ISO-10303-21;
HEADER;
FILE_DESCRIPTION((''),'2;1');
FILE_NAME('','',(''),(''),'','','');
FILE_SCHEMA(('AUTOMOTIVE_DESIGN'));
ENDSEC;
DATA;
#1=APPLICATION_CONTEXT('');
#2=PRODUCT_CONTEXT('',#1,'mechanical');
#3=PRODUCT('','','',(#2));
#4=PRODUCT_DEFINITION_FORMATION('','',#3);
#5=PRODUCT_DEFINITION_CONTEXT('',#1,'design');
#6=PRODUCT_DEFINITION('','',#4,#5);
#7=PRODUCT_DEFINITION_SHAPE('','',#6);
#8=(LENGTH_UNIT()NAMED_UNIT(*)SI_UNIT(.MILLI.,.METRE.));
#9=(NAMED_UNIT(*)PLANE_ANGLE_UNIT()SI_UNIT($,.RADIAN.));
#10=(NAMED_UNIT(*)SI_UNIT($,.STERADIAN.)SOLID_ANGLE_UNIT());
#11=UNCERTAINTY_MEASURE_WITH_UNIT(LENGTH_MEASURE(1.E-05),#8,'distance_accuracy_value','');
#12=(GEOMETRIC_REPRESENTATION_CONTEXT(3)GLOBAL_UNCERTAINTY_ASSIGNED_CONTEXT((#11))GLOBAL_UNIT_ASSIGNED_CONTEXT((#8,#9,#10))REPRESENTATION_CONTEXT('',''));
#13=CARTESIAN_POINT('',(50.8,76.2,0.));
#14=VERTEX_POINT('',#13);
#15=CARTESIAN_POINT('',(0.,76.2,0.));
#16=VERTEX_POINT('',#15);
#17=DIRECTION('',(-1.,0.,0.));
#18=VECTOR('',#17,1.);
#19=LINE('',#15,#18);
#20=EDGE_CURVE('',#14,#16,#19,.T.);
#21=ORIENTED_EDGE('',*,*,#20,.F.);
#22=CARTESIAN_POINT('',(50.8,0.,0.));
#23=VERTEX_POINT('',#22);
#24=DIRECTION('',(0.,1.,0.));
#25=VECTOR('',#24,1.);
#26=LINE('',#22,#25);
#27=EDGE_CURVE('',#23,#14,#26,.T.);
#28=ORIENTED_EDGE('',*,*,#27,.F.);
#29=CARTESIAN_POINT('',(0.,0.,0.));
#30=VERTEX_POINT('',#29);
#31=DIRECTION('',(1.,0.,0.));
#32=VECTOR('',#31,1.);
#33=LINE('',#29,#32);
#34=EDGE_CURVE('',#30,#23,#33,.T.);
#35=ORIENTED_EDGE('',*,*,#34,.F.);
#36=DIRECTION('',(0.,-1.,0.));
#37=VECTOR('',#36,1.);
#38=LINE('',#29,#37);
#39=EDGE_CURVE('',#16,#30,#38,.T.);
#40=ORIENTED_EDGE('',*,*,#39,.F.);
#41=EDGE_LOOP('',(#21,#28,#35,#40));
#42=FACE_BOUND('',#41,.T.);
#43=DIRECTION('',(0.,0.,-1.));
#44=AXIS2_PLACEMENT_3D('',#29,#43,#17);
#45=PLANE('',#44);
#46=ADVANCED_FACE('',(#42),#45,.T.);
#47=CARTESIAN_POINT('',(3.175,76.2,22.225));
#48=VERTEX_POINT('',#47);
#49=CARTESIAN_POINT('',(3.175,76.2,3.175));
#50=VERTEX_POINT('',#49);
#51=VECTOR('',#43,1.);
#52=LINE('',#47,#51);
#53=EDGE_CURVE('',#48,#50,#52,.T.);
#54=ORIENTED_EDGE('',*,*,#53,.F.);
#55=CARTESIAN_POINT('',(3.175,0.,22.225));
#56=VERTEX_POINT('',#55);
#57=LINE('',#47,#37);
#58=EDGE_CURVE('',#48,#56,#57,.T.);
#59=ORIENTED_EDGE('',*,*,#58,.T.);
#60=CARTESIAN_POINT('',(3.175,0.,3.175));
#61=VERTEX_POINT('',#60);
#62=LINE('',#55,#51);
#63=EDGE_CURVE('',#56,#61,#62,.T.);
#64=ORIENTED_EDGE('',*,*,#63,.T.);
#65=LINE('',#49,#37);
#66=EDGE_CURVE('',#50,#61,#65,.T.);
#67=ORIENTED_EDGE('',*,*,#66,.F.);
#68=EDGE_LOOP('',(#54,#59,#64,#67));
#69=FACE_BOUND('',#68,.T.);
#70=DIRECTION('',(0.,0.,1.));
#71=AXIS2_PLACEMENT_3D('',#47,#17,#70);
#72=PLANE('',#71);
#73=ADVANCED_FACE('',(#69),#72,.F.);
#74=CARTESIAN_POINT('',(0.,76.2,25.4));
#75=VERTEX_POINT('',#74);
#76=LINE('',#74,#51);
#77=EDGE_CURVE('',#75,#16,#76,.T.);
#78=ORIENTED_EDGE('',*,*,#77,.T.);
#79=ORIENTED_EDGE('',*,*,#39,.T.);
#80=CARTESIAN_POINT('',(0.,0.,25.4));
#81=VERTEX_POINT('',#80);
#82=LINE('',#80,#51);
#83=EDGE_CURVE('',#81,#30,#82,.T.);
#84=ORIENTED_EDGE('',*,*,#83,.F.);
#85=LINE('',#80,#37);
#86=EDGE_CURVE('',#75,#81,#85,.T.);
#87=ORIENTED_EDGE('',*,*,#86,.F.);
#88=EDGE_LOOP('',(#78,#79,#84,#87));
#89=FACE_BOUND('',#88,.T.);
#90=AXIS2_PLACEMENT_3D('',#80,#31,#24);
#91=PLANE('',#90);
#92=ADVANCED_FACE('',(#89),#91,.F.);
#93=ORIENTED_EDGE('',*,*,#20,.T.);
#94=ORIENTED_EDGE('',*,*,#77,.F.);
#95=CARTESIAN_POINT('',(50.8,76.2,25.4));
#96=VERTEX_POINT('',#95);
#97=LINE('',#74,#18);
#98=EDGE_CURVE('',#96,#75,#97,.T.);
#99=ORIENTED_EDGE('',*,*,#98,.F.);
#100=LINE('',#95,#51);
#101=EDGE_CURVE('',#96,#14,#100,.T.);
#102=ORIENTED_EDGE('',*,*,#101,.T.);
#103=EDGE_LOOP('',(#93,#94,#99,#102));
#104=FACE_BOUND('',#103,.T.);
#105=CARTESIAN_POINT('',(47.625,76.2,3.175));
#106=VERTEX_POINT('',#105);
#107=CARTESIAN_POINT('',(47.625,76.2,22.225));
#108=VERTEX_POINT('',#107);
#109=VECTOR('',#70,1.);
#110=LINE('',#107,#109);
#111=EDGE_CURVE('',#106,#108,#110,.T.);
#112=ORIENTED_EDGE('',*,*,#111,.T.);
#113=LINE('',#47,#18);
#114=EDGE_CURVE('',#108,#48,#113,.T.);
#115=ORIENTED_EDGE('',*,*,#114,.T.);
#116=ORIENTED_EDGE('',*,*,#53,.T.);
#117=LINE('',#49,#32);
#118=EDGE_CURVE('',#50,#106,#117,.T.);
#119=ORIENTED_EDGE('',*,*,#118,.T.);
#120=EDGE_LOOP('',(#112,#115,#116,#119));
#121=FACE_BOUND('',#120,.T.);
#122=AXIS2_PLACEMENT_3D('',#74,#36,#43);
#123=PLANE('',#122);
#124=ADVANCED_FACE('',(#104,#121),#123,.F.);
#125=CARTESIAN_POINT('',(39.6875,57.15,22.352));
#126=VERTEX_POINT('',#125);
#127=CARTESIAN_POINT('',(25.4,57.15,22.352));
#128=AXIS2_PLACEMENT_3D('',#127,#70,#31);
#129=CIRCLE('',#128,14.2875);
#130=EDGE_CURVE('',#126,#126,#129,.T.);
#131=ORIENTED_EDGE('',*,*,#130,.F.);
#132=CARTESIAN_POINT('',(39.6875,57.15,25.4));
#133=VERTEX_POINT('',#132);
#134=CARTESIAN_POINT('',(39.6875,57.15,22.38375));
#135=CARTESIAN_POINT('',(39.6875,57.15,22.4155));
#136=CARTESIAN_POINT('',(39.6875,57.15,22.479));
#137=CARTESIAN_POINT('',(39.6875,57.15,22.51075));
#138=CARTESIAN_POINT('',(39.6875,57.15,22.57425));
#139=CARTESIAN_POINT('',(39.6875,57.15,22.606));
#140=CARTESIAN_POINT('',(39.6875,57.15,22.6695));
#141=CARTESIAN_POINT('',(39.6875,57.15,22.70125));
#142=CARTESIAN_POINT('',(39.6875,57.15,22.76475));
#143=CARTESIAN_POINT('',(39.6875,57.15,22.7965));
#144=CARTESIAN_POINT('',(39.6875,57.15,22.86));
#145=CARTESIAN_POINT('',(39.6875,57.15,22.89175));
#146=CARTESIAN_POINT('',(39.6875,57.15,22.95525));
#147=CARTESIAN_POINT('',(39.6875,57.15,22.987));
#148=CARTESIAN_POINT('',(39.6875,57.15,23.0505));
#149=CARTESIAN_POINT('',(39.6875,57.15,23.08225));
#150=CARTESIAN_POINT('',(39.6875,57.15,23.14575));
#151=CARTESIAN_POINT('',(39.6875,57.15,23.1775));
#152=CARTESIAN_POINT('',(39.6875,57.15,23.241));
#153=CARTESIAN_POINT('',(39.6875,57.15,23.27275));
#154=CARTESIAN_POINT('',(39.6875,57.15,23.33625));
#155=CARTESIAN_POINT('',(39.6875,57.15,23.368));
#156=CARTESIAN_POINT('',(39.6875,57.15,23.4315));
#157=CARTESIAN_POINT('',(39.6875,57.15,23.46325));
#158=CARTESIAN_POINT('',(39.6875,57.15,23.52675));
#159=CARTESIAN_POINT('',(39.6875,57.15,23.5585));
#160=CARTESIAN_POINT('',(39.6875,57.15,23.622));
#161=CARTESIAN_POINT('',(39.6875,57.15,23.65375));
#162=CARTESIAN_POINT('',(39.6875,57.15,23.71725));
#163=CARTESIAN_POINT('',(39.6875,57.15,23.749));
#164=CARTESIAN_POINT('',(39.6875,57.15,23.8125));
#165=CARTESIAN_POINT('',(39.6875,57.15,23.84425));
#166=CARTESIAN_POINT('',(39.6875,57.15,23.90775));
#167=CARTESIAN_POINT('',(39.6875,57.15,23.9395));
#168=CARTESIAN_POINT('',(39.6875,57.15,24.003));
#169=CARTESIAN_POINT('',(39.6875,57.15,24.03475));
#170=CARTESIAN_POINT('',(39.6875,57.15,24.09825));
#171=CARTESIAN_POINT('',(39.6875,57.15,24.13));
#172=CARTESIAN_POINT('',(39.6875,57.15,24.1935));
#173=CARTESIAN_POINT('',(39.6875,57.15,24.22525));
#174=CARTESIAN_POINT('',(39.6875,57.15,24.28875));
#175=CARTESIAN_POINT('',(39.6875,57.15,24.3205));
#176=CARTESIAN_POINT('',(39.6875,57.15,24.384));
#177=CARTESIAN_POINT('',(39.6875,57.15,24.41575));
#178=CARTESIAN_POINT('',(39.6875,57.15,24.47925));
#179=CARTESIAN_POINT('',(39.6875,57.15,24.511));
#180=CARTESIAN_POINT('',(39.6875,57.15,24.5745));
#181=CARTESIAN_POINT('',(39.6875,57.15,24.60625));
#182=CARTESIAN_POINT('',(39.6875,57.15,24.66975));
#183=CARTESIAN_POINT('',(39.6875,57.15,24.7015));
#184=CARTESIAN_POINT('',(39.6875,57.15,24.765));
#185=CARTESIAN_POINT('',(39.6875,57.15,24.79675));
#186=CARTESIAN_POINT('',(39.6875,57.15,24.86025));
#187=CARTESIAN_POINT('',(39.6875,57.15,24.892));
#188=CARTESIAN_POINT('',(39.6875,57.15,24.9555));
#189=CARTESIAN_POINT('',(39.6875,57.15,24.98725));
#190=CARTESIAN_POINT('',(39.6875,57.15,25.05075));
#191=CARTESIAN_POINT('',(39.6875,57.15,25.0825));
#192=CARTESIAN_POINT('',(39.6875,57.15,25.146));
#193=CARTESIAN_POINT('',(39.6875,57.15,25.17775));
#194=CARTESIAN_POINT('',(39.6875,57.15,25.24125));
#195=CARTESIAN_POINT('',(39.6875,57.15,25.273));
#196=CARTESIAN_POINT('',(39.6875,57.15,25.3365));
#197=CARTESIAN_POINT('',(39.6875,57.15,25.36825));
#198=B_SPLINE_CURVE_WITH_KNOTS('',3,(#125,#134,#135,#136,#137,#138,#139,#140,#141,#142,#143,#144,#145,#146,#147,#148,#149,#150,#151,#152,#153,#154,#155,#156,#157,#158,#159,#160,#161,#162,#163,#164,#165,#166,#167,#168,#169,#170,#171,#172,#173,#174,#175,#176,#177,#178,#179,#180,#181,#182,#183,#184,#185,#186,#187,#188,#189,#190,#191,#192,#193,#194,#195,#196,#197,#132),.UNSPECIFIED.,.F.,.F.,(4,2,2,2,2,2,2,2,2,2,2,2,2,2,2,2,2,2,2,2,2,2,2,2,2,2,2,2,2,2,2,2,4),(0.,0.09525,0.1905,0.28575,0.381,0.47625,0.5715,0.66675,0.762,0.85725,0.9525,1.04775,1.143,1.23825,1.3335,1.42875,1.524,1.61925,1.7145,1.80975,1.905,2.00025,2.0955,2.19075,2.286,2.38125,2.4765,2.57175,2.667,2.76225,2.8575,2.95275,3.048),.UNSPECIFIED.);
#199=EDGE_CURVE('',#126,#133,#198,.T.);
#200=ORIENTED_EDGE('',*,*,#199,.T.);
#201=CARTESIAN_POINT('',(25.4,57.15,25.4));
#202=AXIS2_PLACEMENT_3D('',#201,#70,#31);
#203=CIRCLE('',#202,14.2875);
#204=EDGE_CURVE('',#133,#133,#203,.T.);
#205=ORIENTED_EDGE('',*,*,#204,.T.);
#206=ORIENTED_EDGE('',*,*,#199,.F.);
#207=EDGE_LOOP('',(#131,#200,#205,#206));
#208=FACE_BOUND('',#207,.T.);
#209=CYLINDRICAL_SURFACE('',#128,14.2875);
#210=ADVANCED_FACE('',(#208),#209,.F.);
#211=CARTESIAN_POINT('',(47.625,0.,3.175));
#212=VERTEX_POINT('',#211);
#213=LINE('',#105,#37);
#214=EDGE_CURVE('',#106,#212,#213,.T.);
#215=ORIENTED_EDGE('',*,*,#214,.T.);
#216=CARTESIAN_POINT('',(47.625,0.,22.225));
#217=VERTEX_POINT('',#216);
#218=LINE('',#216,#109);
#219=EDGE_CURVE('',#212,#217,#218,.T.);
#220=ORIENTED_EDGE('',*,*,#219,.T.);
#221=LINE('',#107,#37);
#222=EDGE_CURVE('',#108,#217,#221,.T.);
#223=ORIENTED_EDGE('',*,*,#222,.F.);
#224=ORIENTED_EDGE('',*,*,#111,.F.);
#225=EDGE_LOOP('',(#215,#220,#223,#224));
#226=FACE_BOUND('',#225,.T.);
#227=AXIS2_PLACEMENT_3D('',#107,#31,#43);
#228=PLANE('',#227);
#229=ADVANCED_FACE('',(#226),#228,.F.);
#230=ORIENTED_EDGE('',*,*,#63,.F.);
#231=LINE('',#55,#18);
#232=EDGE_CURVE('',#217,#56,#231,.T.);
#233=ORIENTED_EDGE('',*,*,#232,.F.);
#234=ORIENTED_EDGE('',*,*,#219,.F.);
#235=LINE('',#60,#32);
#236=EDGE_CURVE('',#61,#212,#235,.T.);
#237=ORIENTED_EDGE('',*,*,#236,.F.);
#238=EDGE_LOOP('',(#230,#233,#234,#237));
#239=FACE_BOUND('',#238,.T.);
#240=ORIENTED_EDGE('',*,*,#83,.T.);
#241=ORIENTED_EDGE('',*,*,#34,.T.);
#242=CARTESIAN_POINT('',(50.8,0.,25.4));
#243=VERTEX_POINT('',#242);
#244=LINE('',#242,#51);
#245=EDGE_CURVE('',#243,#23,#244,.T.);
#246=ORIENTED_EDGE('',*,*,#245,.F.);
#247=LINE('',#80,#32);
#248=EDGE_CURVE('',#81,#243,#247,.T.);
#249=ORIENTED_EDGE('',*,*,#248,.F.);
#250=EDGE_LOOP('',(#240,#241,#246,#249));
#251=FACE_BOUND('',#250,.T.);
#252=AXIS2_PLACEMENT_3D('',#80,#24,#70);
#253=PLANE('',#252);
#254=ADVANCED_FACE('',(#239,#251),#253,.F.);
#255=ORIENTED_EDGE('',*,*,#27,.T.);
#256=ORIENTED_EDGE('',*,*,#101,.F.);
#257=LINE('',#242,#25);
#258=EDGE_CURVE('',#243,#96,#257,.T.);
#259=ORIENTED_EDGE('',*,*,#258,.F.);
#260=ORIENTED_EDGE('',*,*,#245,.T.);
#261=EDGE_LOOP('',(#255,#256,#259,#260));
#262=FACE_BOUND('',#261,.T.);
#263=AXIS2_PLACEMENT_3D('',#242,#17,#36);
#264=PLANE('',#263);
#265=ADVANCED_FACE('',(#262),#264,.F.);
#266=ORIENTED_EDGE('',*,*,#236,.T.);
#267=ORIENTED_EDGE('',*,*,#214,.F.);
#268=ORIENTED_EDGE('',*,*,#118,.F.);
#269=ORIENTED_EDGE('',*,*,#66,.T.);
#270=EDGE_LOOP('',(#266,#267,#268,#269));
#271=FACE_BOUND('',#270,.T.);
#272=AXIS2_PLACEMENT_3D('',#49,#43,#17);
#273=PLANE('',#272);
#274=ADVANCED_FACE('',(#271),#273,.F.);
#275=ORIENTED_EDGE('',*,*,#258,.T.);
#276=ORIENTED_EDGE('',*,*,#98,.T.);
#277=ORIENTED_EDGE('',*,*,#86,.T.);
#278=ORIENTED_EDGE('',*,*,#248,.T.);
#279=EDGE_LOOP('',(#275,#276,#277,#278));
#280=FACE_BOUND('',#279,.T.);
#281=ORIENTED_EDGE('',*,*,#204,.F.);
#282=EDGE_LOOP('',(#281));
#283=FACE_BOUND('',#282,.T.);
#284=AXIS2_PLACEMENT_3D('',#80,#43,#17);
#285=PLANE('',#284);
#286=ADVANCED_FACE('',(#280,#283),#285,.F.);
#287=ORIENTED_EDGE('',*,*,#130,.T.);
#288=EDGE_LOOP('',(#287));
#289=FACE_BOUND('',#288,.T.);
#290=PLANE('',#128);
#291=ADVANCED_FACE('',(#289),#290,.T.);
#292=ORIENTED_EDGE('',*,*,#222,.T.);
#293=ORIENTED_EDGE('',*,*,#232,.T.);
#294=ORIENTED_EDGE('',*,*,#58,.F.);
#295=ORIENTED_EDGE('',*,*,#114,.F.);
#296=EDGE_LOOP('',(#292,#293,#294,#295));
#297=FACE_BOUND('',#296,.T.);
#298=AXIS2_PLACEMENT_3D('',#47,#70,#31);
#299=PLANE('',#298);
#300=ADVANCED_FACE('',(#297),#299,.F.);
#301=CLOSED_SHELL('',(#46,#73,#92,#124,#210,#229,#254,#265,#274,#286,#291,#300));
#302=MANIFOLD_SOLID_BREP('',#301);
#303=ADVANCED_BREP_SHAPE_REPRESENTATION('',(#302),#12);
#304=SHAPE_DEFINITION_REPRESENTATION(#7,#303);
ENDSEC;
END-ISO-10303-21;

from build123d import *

# Parameters (mm, degrees)
SKETCH1_W           = 50.8
SKETCH1_H           = 76.2
BOSS_EXTRUDE1_DEPTH = 25.4
SKETCH2_W           = 44.45
SKETCH2_H           = 19.05
CUT_EXTRUDE1_DEPTH  = 96.038097624
SKETCH3_R           = 14.2875
CUT_EXTRUDE2_DEPTH  = 3.048


with BuildPart() as part:
    # Sketch1 → Boss-Extrude1 (new body)
    with BuildSketch(Plane.XY):
        with Locations((25.4, 38.1)):
            Rectangle(SKETCH1_W, SKETCH1_H)
    extrude(amount=BOSS_EXTRUDE1_DEPTH)

    # Sketch2 → Cut-Extrude1 (cut, through all)
    with BuildSketch(Plane.XZ):
        with Locations((25.4, 12.7)):
            Rectangle(SKETCH2_W, SKETCH2_H)
    extrude(amount=-CUT_EXTRUDE1_DEPTH, mode=Mode.SUBTRACT)

    # Sketch3 → Cut-Extrude2 (cut)
    with BuildSketch(Plane.XY.offset(25.4)):
        with Locations((25.4, 57.15)):
            Circle(SKETCH3_R)
    extrude(amount=-CUT_EXTRUDE2_DEPTH, mode=Mode.SUBTRACT)


solid = part.part
